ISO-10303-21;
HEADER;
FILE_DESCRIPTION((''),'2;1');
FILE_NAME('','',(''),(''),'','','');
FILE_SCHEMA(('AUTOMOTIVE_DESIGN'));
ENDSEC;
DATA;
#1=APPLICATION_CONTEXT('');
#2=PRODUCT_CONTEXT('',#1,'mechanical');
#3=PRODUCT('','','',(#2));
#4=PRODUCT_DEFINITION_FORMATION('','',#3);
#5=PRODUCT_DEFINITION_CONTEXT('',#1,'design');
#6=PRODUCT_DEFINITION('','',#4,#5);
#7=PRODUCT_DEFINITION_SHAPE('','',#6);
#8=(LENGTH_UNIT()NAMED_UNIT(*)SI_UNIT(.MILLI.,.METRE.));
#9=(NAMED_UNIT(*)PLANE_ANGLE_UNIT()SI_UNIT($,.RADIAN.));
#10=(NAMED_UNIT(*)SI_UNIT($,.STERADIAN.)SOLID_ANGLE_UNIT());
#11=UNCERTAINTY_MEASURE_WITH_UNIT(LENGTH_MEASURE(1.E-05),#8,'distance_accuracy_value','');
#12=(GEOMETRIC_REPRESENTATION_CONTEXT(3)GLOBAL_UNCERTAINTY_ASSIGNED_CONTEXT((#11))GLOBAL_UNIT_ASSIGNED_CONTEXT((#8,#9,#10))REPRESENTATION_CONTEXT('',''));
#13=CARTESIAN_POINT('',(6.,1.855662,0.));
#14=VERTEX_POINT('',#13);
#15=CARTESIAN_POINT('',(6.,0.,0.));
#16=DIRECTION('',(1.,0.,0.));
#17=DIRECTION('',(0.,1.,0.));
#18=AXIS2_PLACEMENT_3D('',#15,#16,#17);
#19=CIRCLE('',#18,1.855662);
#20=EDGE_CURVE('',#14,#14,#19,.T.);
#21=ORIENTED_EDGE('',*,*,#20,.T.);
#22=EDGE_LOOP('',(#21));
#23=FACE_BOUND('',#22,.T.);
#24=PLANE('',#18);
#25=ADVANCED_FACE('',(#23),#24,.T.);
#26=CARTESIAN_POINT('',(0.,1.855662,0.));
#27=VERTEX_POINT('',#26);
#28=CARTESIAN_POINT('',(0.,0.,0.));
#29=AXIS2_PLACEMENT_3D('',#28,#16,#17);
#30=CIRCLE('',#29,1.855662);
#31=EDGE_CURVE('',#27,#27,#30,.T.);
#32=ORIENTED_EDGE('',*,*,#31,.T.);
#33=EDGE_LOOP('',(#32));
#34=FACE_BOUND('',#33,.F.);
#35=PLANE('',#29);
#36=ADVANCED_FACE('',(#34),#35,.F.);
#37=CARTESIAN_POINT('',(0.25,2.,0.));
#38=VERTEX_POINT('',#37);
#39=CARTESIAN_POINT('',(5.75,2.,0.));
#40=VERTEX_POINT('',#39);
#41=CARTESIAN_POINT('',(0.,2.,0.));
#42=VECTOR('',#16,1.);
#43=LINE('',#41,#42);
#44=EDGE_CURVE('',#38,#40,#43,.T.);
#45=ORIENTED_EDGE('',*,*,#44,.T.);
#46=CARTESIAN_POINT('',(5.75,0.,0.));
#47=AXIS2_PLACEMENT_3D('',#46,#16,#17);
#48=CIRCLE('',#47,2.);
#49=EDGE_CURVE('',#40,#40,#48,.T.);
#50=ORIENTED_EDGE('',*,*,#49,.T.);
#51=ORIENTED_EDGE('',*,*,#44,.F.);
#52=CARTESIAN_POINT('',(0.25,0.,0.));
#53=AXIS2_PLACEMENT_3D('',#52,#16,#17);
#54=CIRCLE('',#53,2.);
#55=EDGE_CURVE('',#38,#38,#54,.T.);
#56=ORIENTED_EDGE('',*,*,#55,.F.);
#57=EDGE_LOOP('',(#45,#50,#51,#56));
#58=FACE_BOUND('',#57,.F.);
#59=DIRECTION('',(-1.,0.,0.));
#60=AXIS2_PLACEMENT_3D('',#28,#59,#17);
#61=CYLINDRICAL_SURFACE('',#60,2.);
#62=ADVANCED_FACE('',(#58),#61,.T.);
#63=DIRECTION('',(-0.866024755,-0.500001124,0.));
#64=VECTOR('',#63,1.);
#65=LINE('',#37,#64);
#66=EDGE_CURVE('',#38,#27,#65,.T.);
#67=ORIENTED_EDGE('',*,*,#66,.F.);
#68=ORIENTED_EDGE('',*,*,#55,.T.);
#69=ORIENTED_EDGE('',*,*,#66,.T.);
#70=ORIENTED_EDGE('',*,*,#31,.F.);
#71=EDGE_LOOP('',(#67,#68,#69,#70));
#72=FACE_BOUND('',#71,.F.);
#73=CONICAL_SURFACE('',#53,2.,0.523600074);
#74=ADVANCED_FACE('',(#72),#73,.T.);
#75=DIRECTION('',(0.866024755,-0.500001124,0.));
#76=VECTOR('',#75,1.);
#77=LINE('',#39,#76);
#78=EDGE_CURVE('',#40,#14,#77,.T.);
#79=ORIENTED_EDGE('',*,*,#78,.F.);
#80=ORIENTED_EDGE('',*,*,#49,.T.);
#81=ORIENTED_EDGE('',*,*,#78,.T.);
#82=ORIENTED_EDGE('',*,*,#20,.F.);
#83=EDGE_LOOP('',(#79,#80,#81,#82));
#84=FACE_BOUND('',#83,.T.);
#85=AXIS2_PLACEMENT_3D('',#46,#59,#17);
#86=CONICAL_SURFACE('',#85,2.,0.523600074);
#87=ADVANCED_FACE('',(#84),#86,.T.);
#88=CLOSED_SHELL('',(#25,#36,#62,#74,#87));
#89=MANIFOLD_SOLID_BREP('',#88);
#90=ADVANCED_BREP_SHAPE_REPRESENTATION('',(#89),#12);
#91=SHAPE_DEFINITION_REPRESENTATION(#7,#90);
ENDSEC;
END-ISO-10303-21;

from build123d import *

# Parameters (mm, degrees)
F0_R     = 2
F1_DEPTH = 6
F2_SIZE2 = 0.144338
F2_SIZE  = 0.25


with BuildPart() as f1:
    # F0 (on Right) → F1 (new body)
    with BuildSketch(Plane.YZ):
        Circle(F0_R)
    extrude(amount=F1_DEPTH)

    # F2
    f2_edges = [f1.edges().sort_by_distance(p)[0] for p in [
        (6, -2, 0),
        (0, -2, 0),
    ]]
    chamfer(f2_edges, length=F2_SIZE, length2=F2_SIZE2)


solid = f1.part
